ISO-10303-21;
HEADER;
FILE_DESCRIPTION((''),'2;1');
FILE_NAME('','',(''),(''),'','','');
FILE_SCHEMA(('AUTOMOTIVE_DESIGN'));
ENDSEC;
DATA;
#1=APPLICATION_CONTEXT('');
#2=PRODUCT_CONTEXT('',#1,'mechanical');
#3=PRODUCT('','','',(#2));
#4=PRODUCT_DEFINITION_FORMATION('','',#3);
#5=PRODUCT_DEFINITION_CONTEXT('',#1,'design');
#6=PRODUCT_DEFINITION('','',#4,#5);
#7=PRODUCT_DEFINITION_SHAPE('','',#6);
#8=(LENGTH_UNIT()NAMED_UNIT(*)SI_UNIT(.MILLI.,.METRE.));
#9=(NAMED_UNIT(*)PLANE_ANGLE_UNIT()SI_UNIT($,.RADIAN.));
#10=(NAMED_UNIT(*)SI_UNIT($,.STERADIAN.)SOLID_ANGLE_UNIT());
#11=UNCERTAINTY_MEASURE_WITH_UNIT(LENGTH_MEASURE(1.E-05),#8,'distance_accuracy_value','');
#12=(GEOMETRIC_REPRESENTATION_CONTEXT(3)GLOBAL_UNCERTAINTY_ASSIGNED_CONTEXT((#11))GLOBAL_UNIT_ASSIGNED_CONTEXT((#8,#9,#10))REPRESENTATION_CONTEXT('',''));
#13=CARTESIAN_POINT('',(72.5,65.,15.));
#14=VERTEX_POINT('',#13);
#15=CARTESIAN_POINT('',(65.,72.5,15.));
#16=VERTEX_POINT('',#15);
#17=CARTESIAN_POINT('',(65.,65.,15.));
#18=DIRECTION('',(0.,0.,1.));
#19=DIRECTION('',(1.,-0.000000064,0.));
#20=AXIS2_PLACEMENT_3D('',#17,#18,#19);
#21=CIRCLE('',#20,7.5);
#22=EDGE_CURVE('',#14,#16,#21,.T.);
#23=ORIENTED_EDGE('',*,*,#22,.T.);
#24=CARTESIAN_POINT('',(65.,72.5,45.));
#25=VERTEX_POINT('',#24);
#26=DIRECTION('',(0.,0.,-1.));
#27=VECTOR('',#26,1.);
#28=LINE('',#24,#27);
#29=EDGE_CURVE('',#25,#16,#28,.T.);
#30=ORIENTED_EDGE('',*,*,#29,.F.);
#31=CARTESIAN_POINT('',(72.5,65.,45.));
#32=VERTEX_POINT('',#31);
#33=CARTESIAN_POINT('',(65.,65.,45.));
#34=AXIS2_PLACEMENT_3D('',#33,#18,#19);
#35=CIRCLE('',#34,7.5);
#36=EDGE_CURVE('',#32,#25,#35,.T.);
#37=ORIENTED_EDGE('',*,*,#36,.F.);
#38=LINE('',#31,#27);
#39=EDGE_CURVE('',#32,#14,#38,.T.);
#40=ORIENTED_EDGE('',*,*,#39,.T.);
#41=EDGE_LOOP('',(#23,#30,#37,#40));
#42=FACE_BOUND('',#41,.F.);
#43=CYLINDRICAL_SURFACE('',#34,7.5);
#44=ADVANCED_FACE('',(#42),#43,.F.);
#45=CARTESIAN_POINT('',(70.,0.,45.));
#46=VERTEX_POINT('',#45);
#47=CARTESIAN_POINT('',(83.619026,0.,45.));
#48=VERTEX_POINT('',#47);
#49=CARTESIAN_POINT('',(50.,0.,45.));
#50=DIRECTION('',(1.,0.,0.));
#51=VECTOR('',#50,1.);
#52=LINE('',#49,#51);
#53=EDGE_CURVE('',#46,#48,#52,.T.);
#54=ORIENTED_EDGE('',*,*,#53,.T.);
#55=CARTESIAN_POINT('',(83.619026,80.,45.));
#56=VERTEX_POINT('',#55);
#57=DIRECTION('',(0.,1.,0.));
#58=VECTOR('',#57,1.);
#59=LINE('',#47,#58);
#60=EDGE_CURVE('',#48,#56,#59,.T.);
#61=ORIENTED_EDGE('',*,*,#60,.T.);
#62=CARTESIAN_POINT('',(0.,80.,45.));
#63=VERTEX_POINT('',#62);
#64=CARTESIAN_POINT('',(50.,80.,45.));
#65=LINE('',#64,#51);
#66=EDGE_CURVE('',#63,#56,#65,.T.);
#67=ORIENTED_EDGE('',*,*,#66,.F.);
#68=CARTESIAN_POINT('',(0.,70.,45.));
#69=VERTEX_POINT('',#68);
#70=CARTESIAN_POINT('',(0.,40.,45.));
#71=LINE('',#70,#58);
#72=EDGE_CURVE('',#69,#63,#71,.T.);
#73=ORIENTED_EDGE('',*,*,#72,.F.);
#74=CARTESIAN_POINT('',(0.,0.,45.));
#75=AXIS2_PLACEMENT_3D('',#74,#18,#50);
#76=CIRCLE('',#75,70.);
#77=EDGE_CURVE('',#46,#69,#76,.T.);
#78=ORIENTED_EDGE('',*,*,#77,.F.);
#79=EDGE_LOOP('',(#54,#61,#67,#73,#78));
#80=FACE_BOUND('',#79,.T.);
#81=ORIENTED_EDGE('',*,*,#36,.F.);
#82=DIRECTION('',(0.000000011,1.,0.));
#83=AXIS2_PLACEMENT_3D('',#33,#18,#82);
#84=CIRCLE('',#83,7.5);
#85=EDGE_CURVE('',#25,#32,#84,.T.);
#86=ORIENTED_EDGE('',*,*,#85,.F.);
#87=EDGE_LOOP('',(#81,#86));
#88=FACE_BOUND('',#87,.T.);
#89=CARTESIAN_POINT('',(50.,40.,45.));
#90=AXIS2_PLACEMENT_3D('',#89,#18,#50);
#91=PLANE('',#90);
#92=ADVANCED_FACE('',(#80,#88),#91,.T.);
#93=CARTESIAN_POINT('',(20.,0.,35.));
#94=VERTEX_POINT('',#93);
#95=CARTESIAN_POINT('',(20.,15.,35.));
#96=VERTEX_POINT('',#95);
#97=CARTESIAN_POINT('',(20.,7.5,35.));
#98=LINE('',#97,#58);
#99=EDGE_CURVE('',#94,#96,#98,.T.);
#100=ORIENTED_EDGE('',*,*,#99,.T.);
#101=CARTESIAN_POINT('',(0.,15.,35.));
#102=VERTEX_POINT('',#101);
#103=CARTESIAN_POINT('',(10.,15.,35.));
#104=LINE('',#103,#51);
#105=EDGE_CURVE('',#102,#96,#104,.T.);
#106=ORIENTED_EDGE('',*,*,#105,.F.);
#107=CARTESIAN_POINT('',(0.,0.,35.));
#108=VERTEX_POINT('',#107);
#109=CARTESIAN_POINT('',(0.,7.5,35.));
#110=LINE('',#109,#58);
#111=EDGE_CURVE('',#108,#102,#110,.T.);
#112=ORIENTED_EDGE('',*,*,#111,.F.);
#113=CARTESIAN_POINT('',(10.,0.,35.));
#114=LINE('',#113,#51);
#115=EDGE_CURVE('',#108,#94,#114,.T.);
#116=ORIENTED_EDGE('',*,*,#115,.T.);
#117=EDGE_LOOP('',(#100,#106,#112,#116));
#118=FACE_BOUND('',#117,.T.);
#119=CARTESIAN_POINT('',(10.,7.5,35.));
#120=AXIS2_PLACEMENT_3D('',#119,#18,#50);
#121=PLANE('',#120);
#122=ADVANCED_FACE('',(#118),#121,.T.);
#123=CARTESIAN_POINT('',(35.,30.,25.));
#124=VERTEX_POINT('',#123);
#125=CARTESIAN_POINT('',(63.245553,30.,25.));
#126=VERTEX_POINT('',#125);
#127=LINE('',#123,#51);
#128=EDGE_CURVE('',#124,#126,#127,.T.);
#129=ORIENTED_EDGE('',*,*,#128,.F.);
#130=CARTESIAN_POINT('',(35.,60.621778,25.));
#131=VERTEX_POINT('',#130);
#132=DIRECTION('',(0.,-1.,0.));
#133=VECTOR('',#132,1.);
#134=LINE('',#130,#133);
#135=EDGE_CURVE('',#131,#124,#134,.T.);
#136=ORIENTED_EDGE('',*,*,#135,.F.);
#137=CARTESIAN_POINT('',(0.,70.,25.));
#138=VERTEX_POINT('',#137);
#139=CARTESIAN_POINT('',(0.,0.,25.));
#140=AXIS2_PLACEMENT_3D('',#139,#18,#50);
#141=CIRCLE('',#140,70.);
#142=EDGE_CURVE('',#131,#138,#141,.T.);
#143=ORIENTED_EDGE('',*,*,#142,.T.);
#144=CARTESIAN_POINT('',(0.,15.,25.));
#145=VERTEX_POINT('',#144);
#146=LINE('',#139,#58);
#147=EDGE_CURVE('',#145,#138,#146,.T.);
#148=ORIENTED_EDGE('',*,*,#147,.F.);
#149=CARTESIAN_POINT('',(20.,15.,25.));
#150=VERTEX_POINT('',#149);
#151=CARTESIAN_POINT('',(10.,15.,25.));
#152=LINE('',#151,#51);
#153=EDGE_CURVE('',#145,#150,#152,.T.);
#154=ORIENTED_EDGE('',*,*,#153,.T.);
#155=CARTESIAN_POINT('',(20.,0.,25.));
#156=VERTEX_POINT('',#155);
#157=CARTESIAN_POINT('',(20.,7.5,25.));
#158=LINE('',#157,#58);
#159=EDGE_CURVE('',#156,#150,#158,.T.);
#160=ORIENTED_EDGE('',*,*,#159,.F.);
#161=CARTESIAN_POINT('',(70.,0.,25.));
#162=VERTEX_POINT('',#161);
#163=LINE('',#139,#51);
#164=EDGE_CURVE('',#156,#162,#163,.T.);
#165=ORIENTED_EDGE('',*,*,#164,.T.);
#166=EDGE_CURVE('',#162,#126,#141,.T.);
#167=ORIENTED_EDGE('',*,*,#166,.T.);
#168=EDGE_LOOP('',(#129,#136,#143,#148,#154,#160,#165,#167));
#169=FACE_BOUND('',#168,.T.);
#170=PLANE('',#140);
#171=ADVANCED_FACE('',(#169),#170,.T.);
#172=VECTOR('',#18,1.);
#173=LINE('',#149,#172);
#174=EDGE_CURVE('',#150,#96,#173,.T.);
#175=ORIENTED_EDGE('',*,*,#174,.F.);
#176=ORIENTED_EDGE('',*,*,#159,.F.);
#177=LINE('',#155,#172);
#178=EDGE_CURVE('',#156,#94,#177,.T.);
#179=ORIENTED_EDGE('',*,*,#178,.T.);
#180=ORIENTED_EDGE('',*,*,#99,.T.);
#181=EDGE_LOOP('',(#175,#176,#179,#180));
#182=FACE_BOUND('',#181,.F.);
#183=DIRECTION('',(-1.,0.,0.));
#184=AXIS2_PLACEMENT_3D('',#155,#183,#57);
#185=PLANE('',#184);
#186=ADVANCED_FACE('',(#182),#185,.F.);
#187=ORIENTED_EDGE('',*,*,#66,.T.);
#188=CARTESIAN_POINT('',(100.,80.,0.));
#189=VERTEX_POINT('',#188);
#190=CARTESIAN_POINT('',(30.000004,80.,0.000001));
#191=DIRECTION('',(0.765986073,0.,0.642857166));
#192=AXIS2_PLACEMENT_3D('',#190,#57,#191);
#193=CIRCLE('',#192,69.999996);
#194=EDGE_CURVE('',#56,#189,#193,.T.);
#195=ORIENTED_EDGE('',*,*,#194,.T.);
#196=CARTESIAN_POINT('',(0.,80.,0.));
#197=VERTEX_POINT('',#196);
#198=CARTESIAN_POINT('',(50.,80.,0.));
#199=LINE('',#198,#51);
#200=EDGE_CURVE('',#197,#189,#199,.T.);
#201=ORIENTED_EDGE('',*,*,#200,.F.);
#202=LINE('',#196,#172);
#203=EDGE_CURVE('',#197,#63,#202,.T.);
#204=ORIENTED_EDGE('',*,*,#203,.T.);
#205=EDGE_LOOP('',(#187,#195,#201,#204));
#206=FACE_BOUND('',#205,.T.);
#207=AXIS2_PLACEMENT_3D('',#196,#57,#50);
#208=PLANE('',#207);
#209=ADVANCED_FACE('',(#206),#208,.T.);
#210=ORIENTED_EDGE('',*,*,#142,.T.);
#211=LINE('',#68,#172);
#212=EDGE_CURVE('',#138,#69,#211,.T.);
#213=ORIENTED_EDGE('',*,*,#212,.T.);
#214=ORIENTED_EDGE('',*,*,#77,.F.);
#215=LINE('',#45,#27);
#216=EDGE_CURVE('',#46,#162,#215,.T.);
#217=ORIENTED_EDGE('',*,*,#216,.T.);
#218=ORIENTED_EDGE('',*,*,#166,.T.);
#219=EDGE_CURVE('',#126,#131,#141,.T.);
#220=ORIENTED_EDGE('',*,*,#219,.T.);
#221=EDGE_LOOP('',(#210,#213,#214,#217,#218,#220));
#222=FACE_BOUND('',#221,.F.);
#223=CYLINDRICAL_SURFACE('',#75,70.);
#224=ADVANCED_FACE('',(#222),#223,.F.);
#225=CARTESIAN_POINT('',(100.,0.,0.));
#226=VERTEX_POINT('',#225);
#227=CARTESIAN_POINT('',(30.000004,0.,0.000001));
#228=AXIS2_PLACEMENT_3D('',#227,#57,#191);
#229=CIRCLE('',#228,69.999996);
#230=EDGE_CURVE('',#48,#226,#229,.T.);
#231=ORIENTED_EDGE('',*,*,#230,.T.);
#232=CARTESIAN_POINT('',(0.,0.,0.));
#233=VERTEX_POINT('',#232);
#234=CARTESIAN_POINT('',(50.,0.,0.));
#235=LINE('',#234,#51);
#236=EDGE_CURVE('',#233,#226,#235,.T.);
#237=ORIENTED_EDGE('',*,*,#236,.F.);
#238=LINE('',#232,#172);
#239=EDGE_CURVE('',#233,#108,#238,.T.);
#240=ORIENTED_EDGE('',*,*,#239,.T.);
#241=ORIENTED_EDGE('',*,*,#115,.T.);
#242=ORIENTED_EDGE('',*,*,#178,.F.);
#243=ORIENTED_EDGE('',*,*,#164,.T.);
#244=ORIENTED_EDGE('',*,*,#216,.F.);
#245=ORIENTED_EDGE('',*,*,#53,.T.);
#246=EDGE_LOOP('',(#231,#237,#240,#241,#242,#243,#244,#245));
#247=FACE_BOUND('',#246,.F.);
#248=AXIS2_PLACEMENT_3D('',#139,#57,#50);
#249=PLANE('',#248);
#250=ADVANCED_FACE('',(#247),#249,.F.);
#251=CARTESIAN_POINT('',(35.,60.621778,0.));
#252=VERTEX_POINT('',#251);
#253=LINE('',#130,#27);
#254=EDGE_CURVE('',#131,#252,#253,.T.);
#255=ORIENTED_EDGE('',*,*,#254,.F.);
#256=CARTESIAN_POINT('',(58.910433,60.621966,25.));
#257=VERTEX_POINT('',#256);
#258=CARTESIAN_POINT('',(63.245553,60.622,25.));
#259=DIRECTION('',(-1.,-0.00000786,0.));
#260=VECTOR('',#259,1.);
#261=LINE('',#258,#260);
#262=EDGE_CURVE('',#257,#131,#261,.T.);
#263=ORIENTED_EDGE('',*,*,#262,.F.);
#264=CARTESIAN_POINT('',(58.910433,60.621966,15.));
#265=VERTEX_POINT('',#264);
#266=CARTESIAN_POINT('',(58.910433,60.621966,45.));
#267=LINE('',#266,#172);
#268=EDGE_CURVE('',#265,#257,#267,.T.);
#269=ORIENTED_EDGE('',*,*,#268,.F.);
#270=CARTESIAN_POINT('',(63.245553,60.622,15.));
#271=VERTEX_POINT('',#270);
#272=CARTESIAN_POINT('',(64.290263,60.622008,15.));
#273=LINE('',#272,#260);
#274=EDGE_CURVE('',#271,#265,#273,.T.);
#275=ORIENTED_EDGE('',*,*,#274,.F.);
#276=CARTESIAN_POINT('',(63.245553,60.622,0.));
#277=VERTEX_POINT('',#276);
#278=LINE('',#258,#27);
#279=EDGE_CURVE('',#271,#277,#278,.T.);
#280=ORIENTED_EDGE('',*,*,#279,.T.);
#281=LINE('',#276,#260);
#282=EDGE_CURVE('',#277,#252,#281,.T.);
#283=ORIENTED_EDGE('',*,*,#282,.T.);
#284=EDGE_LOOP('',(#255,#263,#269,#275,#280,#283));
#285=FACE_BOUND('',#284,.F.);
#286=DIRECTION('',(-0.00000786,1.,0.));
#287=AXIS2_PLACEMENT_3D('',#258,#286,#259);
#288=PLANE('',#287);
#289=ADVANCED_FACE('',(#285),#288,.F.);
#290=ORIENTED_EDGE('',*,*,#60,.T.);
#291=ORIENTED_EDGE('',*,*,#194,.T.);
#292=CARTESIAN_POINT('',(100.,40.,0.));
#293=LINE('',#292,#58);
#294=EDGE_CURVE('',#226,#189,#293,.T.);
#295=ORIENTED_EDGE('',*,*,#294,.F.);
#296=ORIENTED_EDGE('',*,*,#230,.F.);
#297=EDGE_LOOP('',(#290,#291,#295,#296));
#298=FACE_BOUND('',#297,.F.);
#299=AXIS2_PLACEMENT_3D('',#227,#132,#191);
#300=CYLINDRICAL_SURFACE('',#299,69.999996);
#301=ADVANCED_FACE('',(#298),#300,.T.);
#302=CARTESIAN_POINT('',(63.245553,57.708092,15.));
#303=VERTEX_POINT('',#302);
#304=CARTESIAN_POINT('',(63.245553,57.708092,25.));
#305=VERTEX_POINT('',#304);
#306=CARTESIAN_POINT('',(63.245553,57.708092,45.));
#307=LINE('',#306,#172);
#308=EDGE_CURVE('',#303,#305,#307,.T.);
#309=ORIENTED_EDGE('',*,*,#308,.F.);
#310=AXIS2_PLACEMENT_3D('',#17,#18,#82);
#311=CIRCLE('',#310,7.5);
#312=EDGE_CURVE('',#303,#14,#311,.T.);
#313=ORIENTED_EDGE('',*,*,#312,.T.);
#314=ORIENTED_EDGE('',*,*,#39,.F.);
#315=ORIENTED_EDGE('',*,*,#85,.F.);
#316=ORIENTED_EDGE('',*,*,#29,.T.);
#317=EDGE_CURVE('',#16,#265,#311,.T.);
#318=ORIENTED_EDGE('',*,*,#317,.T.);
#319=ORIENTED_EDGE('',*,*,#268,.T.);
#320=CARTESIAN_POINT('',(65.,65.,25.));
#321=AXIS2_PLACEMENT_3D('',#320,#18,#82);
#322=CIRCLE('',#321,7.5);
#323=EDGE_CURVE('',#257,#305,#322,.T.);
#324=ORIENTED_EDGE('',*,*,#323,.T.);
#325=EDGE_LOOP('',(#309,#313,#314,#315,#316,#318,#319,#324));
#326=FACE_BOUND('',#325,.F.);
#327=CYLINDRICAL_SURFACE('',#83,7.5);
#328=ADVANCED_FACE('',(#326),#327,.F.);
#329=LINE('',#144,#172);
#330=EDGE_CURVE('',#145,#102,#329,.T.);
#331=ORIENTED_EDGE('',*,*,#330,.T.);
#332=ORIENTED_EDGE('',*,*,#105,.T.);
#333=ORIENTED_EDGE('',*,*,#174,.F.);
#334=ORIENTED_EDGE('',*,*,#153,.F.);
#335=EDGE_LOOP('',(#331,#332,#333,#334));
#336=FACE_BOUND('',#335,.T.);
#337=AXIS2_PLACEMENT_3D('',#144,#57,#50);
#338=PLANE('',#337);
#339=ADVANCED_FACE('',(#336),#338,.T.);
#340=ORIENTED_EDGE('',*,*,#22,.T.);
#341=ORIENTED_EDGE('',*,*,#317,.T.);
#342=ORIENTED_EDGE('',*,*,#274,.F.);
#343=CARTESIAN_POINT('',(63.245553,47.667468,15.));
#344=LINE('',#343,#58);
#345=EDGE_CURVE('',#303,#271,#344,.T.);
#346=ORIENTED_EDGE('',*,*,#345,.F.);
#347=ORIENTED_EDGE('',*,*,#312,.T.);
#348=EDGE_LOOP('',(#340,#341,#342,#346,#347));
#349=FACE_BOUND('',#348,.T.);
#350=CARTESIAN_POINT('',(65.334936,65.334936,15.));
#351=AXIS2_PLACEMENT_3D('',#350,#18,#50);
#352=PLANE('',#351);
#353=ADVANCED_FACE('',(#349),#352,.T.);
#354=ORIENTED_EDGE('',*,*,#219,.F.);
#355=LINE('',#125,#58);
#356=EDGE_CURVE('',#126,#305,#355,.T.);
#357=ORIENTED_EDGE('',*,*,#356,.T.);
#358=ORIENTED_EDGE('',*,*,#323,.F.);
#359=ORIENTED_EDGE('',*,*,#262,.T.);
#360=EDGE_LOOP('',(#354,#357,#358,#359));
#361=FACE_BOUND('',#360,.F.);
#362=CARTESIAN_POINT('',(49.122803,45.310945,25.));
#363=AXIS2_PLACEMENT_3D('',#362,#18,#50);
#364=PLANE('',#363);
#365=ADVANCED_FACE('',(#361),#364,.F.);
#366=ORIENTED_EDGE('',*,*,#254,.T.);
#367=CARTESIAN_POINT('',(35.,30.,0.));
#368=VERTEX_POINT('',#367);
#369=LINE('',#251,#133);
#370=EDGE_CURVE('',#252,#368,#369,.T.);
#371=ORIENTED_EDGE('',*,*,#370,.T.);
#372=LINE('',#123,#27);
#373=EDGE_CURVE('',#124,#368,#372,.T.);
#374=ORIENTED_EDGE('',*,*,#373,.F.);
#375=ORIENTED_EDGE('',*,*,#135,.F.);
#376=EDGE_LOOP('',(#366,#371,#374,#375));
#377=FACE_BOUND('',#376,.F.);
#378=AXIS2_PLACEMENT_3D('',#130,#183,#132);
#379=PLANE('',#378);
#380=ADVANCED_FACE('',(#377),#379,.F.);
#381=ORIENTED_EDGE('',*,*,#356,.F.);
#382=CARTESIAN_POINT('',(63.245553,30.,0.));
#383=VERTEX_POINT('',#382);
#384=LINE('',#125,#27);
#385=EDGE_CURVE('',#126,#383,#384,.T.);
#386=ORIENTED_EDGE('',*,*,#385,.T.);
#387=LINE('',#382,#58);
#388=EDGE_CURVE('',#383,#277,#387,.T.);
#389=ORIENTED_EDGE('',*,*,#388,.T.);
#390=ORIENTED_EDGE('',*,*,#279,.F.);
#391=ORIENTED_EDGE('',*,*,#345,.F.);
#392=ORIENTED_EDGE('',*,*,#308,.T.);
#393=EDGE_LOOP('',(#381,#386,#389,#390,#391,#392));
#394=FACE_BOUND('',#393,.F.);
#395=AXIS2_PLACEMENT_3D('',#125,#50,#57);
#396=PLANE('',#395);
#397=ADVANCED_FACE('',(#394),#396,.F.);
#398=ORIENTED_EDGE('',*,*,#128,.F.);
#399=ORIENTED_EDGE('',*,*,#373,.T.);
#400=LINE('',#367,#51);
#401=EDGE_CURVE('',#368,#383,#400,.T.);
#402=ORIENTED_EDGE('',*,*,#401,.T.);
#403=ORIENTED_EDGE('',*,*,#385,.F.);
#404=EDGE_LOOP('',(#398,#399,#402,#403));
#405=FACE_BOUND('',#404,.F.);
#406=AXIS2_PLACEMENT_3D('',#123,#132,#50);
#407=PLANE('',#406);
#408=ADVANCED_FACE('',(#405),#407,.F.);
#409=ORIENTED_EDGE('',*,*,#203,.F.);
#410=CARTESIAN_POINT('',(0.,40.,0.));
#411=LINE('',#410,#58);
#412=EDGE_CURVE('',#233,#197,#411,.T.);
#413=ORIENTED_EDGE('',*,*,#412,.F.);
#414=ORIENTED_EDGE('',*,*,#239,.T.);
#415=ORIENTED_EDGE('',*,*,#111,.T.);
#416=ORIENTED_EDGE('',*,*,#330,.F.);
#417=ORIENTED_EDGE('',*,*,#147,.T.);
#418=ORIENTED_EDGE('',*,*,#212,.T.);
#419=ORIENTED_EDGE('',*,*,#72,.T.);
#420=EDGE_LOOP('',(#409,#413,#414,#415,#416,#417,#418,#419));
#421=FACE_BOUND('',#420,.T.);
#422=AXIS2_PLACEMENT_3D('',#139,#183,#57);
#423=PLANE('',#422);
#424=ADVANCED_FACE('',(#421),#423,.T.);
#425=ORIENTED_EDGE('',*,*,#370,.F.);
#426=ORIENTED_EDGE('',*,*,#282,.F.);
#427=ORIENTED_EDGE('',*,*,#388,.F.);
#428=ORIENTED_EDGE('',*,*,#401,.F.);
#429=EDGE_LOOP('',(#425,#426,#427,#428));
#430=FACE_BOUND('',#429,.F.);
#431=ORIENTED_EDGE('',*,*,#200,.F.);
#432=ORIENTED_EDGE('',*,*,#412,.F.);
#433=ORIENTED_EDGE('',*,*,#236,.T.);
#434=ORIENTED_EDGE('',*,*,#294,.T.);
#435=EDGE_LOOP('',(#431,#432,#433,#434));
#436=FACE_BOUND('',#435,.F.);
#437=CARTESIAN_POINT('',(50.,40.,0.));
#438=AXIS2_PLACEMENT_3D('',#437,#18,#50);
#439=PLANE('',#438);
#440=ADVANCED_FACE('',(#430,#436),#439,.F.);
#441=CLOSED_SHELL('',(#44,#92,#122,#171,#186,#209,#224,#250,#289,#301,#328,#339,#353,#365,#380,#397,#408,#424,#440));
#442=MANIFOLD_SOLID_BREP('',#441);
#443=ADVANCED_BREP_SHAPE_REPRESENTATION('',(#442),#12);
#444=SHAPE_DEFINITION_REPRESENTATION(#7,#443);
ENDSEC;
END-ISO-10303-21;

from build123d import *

# Parameters (mm, degrees)
F0_W      = 100
F0_H      = 80
F1_DEPTH  = 45
F3_DEPTH  = 30
F4_R      = 70
F5_DEPTH  = 20
F6_W      = 20
F6_H      = 15
F7_DEPTH  = 10
F9_DEPTH  = 25
F11_DEPTH = 80


with BuildPart() as f1:
    # F0 (on Top) → F1 (new body)
    with BuildSketch(Plane.XY):
        with Locations((50, 40)):
            Rectangle(F0_W, F0_H)
    extrude(amount=F1_DEPTH)

    # F2 (on face) → F3 (cut)
    with BuildSketch(Plane.XY.offset(45)):
        with BuildLine():
            ThreePointArc((72.5, 65), (70.303301, 70.303301), (65, 72.5))
            ThreePointArc((65, 72.5), (59.696699, 59.696699), (72.5, 65))
        make_face()
    extrude(amount=-F3_DEPTH, mode=Mode.SUBTRACT)

    # F4 (on face) → F5 (cut)
    with BuildSketch(Plane.XY.offset(45)):
        Circle(F4_R)
    extrude(amount=-F5_DEPTH, mode=Mode.SUBTRACT)

    # F6 (on face) → F7 (join)
    with BuildSketch(Plane.XY.offset(25)):
        with Locations((10, 7.5)):
            Rectangle(F6_W, F6_H)
    extrude(amount=F7_DEPTH)

    # F8 (on face) → F9 (cut, through all)
    with BuildSketch(Plane.XY.offset(25)):
        Polygon((35, 60.621778), (35, 30), (63.245553, 30), (63.245553, 60.622), align=None)
    extrude(amount=-F9_DEPTH, mode=Mode.SUBTRACT)

    # F10 (on face) → F11 (cut, through all)
    with BuildSketch(Plane.XZ):
        with BuildLine():
            ThreePointArc((83.619026, 45), (95.777397, 23.944395), (100, 0))
            Line((100, 0), (100, 45))
            Line((100, 45), (83.619026, 45))
        make_face()
    extrude(amount=-F11_DEPTH, mode=Mode.SUBTRACT)


solid = f1.part
